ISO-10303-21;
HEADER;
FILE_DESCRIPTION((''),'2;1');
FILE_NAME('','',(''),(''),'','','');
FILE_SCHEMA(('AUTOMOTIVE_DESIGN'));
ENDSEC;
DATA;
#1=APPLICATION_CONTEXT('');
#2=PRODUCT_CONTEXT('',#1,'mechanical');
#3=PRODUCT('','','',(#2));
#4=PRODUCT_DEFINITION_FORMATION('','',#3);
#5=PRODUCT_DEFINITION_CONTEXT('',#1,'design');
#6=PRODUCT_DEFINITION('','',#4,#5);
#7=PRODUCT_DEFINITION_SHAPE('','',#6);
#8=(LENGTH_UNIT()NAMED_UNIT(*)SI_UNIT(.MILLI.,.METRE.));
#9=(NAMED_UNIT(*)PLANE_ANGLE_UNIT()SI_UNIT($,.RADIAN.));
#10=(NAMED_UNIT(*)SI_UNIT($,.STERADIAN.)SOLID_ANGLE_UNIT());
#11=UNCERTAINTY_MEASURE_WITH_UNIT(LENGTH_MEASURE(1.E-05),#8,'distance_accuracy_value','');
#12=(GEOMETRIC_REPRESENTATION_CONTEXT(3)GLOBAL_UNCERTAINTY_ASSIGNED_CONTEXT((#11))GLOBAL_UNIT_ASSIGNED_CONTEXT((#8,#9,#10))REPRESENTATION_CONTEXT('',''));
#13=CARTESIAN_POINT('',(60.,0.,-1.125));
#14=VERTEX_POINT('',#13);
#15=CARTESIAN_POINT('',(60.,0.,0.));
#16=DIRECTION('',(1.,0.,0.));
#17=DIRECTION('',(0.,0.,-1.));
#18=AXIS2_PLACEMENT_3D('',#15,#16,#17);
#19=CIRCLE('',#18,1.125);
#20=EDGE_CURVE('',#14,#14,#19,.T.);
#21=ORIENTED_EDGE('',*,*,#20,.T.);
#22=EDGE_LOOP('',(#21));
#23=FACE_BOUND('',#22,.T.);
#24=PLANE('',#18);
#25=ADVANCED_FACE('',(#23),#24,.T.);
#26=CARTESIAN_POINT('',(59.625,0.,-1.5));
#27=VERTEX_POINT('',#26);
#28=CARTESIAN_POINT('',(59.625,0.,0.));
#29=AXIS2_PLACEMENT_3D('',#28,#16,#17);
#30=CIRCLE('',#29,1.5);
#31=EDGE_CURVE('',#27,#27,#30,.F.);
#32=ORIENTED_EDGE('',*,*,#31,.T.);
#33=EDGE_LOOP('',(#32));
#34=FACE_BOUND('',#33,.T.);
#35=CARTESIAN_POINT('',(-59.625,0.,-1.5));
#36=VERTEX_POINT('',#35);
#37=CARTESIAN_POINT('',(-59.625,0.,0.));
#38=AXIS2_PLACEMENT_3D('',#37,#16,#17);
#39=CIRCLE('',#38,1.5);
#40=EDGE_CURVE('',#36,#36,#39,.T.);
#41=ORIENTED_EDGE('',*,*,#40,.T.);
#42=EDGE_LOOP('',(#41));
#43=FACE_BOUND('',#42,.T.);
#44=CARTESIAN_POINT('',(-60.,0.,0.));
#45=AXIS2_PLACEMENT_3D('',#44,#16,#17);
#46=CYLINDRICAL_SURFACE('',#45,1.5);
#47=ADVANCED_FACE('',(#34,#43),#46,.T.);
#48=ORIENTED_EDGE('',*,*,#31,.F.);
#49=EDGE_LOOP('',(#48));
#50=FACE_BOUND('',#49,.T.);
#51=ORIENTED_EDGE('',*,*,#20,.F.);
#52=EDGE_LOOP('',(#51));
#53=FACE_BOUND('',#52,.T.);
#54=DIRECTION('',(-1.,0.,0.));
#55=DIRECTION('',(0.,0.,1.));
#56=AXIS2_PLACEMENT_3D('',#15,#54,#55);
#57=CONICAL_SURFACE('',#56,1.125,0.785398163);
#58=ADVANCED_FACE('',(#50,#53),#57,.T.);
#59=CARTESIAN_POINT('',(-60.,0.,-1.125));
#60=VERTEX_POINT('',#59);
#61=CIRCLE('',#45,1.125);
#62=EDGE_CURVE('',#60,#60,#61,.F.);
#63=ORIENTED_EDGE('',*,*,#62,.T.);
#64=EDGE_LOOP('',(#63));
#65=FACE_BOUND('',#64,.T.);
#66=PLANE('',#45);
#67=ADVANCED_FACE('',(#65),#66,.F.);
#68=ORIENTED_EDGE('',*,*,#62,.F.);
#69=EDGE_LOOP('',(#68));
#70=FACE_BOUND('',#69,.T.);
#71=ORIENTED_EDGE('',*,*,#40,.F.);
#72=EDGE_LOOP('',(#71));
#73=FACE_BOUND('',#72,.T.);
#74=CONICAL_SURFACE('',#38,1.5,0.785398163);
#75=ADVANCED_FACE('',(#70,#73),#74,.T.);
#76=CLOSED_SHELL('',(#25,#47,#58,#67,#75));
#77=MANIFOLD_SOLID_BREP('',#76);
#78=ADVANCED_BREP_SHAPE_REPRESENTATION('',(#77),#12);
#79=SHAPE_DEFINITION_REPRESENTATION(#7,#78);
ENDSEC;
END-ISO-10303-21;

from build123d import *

# Parameters (mm, degrees)
SKETCH2_R           = 1.5
BOSS_EXTRUDE1_DEPTH = 60
CHAMFER1_SIZE       = 0.375


with BuildPart() as part:
    # Sketch2 → Boss-Extrude1 (new body, symmetric)
    with BuildSketch(Plane(origin=(0, 0, 0), x_dir=(0, 0, -1), z_dir=(1, 0, 0))):
        Circle(SKETCH2_R)
    extrude(amount=BOSS_EXTRUDE1_DEPTH, both=True)

    # Chamfer1
    chamfer1_edges = [part.edges().sort_by_distance(p)[0] for p in [
        (60, 0, 1.5),
        (-60, 0, 1.5),
    ]]
    chamfer(chamfer1_edges, length=CHAMFER1_SIZE)


solid = part.part
